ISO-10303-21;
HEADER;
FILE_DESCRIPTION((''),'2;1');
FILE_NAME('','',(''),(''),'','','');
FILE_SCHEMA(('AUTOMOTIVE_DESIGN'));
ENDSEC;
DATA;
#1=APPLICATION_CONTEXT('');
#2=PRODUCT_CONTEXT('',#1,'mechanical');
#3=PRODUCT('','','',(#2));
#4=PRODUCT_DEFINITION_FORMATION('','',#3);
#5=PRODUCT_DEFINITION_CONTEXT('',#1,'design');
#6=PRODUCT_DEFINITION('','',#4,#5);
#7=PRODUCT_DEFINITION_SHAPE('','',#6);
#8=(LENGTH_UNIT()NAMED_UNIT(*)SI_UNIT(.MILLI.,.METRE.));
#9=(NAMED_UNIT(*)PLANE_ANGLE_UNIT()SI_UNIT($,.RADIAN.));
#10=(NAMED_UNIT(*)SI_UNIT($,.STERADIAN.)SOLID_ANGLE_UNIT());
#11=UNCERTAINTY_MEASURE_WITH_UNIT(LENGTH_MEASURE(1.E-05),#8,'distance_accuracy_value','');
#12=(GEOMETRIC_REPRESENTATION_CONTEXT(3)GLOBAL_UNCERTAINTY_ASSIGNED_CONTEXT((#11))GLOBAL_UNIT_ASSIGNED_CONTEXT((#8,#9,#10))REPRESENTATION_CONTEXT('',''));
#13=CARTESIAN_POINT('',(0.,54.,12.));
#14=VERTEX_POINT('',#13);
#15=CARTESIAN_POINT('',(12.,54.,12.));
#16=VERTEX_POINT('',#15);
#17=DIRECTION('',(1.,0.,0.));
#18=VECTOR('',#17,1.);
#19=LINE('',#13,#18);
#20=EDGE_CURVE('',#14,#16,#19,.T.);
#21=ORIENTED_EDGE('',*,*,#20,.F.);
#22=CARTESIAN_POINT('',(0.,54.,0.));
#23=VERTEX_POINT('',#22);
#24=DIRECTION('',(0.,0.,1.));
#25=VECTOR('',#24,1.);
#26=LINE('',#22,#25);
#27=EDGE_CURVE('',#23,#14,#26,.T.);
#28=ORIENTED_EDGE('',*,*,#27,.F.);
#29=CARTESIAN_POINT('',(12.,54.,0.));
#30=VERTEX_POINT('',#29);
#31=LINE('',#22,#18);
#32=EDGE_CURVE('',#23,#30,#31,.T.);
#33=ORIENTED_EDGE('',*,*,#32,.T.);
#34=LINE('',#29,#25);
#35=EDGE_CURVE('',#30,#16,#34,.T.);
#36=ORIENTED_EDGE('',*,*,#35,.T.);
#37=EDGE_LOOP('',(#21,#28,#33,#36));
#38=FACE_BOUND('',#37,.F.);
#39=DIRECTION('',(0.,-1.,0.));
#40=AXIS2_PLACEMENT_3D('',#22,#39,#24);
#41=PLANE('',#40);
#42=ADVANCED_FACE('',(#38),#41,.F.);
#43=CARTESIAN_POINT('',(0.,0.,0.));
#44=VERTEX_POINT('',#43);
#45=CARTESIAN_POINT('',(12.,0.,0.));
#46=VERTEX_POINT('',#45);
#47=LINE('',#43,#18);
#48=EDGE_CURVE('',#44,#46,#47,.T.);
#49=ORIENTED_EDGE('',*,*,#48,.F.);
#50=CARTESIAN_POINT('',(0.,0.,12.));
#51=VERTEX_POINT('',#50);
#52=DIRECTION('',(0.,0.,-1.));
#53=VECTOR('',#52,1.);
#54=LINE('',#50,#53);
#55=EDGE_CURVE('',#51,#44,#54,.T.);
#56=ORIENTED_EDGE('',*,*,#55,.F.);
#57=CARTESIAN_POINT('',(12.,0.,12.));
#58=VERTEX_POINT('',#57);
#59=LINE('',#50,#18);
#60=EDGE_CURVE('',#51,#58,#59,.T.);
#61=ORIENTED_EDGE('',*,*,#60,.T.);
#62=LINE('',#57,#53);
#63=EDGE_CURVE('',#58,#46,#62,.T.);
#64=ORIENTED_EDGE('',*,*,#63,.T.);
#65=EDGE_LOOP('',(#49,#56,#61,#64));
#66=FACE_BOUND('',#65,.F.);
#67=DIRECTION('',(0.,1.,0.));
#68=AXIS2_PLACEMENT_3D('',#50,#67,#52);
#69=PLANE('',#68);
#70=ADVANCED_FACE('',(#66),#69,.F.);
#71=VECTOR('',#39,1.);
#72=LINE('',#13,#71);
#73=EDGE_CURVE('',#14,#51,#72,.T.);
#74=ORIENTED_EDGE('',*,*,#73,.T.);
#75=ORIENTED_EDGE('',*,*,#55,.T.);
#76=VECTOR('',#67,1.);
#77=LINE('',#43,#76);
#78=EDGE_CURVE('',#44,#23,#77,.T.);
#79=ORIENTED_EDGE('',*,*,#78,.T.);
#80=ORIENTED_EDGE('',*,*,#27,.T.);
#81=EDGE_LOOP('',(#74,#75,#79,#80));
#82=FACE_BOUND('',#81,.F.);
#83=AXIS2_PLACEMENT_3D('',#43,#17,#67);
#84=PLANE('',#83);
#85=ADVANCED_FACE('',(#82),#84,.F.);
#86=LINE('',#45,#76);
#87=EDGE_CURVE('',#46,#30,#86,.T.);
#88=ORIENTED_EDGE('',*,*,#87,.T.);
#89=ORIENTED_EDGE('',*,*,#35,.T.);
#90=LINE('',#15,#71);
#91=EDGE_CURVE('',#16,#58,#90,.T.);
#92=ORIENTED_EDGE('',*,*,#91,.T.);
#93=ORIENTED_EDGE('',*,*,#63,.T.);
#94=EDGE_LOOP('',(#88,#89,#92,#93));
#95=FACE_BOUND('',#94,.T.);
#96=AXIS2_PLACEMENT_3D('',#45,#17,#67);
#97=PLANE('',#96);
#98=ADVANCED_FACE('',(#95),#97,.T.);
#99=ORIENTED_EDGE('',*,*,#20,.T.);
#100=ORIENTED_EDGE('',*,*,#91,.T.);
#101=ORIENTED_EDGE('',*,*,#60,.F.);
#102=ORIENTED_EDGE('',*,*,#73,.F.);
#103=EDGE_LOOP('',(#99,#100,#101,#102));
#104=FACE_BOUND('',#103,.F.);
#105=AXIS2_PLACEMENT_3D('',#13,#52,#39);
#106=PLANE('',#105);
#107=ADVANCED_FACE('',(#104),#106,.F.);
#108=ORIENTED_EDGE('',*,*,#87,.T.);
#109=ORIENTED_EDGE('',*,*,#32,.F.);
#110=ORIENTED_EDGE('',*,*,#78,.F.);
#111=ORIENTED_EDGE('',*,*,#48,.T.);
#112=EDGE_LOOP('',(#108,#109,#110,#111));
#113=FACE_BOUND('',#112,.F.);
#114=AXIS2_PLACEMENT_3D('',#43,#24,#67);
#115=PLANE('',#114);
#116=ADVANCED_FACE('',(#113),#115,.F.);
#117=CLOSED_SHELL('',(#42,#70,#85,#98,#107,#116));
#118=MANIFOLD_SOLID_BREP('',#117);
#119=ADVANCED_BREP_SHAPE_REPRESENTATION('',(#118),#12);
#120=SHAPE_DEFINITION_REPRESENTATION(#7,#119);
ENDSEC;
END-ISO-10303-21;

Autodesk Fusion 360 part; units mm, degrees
sketch "Sketch1" plane through (0, 0, 0) normal (1, 0, 0) x (0, 1, 0) in component "Component"
  line L0 (0, 0) -> (54, 0)
  line L1 (54, 0) -> (54, 12)
  line L2 (54, 12) -> (0, 12)
  line L3 (0, 12) -> (0, 0)
  dimension "d1_2" = 12
  dimension "d2_2" = 54
extrude "Extrude1" add sketch "Sketch1" along normal blind 12 in component "Component"
component "Component" placed x (1, 0, 0) y (0, 1, 0) z (0, 0, 1) at (0, 0, 0)
